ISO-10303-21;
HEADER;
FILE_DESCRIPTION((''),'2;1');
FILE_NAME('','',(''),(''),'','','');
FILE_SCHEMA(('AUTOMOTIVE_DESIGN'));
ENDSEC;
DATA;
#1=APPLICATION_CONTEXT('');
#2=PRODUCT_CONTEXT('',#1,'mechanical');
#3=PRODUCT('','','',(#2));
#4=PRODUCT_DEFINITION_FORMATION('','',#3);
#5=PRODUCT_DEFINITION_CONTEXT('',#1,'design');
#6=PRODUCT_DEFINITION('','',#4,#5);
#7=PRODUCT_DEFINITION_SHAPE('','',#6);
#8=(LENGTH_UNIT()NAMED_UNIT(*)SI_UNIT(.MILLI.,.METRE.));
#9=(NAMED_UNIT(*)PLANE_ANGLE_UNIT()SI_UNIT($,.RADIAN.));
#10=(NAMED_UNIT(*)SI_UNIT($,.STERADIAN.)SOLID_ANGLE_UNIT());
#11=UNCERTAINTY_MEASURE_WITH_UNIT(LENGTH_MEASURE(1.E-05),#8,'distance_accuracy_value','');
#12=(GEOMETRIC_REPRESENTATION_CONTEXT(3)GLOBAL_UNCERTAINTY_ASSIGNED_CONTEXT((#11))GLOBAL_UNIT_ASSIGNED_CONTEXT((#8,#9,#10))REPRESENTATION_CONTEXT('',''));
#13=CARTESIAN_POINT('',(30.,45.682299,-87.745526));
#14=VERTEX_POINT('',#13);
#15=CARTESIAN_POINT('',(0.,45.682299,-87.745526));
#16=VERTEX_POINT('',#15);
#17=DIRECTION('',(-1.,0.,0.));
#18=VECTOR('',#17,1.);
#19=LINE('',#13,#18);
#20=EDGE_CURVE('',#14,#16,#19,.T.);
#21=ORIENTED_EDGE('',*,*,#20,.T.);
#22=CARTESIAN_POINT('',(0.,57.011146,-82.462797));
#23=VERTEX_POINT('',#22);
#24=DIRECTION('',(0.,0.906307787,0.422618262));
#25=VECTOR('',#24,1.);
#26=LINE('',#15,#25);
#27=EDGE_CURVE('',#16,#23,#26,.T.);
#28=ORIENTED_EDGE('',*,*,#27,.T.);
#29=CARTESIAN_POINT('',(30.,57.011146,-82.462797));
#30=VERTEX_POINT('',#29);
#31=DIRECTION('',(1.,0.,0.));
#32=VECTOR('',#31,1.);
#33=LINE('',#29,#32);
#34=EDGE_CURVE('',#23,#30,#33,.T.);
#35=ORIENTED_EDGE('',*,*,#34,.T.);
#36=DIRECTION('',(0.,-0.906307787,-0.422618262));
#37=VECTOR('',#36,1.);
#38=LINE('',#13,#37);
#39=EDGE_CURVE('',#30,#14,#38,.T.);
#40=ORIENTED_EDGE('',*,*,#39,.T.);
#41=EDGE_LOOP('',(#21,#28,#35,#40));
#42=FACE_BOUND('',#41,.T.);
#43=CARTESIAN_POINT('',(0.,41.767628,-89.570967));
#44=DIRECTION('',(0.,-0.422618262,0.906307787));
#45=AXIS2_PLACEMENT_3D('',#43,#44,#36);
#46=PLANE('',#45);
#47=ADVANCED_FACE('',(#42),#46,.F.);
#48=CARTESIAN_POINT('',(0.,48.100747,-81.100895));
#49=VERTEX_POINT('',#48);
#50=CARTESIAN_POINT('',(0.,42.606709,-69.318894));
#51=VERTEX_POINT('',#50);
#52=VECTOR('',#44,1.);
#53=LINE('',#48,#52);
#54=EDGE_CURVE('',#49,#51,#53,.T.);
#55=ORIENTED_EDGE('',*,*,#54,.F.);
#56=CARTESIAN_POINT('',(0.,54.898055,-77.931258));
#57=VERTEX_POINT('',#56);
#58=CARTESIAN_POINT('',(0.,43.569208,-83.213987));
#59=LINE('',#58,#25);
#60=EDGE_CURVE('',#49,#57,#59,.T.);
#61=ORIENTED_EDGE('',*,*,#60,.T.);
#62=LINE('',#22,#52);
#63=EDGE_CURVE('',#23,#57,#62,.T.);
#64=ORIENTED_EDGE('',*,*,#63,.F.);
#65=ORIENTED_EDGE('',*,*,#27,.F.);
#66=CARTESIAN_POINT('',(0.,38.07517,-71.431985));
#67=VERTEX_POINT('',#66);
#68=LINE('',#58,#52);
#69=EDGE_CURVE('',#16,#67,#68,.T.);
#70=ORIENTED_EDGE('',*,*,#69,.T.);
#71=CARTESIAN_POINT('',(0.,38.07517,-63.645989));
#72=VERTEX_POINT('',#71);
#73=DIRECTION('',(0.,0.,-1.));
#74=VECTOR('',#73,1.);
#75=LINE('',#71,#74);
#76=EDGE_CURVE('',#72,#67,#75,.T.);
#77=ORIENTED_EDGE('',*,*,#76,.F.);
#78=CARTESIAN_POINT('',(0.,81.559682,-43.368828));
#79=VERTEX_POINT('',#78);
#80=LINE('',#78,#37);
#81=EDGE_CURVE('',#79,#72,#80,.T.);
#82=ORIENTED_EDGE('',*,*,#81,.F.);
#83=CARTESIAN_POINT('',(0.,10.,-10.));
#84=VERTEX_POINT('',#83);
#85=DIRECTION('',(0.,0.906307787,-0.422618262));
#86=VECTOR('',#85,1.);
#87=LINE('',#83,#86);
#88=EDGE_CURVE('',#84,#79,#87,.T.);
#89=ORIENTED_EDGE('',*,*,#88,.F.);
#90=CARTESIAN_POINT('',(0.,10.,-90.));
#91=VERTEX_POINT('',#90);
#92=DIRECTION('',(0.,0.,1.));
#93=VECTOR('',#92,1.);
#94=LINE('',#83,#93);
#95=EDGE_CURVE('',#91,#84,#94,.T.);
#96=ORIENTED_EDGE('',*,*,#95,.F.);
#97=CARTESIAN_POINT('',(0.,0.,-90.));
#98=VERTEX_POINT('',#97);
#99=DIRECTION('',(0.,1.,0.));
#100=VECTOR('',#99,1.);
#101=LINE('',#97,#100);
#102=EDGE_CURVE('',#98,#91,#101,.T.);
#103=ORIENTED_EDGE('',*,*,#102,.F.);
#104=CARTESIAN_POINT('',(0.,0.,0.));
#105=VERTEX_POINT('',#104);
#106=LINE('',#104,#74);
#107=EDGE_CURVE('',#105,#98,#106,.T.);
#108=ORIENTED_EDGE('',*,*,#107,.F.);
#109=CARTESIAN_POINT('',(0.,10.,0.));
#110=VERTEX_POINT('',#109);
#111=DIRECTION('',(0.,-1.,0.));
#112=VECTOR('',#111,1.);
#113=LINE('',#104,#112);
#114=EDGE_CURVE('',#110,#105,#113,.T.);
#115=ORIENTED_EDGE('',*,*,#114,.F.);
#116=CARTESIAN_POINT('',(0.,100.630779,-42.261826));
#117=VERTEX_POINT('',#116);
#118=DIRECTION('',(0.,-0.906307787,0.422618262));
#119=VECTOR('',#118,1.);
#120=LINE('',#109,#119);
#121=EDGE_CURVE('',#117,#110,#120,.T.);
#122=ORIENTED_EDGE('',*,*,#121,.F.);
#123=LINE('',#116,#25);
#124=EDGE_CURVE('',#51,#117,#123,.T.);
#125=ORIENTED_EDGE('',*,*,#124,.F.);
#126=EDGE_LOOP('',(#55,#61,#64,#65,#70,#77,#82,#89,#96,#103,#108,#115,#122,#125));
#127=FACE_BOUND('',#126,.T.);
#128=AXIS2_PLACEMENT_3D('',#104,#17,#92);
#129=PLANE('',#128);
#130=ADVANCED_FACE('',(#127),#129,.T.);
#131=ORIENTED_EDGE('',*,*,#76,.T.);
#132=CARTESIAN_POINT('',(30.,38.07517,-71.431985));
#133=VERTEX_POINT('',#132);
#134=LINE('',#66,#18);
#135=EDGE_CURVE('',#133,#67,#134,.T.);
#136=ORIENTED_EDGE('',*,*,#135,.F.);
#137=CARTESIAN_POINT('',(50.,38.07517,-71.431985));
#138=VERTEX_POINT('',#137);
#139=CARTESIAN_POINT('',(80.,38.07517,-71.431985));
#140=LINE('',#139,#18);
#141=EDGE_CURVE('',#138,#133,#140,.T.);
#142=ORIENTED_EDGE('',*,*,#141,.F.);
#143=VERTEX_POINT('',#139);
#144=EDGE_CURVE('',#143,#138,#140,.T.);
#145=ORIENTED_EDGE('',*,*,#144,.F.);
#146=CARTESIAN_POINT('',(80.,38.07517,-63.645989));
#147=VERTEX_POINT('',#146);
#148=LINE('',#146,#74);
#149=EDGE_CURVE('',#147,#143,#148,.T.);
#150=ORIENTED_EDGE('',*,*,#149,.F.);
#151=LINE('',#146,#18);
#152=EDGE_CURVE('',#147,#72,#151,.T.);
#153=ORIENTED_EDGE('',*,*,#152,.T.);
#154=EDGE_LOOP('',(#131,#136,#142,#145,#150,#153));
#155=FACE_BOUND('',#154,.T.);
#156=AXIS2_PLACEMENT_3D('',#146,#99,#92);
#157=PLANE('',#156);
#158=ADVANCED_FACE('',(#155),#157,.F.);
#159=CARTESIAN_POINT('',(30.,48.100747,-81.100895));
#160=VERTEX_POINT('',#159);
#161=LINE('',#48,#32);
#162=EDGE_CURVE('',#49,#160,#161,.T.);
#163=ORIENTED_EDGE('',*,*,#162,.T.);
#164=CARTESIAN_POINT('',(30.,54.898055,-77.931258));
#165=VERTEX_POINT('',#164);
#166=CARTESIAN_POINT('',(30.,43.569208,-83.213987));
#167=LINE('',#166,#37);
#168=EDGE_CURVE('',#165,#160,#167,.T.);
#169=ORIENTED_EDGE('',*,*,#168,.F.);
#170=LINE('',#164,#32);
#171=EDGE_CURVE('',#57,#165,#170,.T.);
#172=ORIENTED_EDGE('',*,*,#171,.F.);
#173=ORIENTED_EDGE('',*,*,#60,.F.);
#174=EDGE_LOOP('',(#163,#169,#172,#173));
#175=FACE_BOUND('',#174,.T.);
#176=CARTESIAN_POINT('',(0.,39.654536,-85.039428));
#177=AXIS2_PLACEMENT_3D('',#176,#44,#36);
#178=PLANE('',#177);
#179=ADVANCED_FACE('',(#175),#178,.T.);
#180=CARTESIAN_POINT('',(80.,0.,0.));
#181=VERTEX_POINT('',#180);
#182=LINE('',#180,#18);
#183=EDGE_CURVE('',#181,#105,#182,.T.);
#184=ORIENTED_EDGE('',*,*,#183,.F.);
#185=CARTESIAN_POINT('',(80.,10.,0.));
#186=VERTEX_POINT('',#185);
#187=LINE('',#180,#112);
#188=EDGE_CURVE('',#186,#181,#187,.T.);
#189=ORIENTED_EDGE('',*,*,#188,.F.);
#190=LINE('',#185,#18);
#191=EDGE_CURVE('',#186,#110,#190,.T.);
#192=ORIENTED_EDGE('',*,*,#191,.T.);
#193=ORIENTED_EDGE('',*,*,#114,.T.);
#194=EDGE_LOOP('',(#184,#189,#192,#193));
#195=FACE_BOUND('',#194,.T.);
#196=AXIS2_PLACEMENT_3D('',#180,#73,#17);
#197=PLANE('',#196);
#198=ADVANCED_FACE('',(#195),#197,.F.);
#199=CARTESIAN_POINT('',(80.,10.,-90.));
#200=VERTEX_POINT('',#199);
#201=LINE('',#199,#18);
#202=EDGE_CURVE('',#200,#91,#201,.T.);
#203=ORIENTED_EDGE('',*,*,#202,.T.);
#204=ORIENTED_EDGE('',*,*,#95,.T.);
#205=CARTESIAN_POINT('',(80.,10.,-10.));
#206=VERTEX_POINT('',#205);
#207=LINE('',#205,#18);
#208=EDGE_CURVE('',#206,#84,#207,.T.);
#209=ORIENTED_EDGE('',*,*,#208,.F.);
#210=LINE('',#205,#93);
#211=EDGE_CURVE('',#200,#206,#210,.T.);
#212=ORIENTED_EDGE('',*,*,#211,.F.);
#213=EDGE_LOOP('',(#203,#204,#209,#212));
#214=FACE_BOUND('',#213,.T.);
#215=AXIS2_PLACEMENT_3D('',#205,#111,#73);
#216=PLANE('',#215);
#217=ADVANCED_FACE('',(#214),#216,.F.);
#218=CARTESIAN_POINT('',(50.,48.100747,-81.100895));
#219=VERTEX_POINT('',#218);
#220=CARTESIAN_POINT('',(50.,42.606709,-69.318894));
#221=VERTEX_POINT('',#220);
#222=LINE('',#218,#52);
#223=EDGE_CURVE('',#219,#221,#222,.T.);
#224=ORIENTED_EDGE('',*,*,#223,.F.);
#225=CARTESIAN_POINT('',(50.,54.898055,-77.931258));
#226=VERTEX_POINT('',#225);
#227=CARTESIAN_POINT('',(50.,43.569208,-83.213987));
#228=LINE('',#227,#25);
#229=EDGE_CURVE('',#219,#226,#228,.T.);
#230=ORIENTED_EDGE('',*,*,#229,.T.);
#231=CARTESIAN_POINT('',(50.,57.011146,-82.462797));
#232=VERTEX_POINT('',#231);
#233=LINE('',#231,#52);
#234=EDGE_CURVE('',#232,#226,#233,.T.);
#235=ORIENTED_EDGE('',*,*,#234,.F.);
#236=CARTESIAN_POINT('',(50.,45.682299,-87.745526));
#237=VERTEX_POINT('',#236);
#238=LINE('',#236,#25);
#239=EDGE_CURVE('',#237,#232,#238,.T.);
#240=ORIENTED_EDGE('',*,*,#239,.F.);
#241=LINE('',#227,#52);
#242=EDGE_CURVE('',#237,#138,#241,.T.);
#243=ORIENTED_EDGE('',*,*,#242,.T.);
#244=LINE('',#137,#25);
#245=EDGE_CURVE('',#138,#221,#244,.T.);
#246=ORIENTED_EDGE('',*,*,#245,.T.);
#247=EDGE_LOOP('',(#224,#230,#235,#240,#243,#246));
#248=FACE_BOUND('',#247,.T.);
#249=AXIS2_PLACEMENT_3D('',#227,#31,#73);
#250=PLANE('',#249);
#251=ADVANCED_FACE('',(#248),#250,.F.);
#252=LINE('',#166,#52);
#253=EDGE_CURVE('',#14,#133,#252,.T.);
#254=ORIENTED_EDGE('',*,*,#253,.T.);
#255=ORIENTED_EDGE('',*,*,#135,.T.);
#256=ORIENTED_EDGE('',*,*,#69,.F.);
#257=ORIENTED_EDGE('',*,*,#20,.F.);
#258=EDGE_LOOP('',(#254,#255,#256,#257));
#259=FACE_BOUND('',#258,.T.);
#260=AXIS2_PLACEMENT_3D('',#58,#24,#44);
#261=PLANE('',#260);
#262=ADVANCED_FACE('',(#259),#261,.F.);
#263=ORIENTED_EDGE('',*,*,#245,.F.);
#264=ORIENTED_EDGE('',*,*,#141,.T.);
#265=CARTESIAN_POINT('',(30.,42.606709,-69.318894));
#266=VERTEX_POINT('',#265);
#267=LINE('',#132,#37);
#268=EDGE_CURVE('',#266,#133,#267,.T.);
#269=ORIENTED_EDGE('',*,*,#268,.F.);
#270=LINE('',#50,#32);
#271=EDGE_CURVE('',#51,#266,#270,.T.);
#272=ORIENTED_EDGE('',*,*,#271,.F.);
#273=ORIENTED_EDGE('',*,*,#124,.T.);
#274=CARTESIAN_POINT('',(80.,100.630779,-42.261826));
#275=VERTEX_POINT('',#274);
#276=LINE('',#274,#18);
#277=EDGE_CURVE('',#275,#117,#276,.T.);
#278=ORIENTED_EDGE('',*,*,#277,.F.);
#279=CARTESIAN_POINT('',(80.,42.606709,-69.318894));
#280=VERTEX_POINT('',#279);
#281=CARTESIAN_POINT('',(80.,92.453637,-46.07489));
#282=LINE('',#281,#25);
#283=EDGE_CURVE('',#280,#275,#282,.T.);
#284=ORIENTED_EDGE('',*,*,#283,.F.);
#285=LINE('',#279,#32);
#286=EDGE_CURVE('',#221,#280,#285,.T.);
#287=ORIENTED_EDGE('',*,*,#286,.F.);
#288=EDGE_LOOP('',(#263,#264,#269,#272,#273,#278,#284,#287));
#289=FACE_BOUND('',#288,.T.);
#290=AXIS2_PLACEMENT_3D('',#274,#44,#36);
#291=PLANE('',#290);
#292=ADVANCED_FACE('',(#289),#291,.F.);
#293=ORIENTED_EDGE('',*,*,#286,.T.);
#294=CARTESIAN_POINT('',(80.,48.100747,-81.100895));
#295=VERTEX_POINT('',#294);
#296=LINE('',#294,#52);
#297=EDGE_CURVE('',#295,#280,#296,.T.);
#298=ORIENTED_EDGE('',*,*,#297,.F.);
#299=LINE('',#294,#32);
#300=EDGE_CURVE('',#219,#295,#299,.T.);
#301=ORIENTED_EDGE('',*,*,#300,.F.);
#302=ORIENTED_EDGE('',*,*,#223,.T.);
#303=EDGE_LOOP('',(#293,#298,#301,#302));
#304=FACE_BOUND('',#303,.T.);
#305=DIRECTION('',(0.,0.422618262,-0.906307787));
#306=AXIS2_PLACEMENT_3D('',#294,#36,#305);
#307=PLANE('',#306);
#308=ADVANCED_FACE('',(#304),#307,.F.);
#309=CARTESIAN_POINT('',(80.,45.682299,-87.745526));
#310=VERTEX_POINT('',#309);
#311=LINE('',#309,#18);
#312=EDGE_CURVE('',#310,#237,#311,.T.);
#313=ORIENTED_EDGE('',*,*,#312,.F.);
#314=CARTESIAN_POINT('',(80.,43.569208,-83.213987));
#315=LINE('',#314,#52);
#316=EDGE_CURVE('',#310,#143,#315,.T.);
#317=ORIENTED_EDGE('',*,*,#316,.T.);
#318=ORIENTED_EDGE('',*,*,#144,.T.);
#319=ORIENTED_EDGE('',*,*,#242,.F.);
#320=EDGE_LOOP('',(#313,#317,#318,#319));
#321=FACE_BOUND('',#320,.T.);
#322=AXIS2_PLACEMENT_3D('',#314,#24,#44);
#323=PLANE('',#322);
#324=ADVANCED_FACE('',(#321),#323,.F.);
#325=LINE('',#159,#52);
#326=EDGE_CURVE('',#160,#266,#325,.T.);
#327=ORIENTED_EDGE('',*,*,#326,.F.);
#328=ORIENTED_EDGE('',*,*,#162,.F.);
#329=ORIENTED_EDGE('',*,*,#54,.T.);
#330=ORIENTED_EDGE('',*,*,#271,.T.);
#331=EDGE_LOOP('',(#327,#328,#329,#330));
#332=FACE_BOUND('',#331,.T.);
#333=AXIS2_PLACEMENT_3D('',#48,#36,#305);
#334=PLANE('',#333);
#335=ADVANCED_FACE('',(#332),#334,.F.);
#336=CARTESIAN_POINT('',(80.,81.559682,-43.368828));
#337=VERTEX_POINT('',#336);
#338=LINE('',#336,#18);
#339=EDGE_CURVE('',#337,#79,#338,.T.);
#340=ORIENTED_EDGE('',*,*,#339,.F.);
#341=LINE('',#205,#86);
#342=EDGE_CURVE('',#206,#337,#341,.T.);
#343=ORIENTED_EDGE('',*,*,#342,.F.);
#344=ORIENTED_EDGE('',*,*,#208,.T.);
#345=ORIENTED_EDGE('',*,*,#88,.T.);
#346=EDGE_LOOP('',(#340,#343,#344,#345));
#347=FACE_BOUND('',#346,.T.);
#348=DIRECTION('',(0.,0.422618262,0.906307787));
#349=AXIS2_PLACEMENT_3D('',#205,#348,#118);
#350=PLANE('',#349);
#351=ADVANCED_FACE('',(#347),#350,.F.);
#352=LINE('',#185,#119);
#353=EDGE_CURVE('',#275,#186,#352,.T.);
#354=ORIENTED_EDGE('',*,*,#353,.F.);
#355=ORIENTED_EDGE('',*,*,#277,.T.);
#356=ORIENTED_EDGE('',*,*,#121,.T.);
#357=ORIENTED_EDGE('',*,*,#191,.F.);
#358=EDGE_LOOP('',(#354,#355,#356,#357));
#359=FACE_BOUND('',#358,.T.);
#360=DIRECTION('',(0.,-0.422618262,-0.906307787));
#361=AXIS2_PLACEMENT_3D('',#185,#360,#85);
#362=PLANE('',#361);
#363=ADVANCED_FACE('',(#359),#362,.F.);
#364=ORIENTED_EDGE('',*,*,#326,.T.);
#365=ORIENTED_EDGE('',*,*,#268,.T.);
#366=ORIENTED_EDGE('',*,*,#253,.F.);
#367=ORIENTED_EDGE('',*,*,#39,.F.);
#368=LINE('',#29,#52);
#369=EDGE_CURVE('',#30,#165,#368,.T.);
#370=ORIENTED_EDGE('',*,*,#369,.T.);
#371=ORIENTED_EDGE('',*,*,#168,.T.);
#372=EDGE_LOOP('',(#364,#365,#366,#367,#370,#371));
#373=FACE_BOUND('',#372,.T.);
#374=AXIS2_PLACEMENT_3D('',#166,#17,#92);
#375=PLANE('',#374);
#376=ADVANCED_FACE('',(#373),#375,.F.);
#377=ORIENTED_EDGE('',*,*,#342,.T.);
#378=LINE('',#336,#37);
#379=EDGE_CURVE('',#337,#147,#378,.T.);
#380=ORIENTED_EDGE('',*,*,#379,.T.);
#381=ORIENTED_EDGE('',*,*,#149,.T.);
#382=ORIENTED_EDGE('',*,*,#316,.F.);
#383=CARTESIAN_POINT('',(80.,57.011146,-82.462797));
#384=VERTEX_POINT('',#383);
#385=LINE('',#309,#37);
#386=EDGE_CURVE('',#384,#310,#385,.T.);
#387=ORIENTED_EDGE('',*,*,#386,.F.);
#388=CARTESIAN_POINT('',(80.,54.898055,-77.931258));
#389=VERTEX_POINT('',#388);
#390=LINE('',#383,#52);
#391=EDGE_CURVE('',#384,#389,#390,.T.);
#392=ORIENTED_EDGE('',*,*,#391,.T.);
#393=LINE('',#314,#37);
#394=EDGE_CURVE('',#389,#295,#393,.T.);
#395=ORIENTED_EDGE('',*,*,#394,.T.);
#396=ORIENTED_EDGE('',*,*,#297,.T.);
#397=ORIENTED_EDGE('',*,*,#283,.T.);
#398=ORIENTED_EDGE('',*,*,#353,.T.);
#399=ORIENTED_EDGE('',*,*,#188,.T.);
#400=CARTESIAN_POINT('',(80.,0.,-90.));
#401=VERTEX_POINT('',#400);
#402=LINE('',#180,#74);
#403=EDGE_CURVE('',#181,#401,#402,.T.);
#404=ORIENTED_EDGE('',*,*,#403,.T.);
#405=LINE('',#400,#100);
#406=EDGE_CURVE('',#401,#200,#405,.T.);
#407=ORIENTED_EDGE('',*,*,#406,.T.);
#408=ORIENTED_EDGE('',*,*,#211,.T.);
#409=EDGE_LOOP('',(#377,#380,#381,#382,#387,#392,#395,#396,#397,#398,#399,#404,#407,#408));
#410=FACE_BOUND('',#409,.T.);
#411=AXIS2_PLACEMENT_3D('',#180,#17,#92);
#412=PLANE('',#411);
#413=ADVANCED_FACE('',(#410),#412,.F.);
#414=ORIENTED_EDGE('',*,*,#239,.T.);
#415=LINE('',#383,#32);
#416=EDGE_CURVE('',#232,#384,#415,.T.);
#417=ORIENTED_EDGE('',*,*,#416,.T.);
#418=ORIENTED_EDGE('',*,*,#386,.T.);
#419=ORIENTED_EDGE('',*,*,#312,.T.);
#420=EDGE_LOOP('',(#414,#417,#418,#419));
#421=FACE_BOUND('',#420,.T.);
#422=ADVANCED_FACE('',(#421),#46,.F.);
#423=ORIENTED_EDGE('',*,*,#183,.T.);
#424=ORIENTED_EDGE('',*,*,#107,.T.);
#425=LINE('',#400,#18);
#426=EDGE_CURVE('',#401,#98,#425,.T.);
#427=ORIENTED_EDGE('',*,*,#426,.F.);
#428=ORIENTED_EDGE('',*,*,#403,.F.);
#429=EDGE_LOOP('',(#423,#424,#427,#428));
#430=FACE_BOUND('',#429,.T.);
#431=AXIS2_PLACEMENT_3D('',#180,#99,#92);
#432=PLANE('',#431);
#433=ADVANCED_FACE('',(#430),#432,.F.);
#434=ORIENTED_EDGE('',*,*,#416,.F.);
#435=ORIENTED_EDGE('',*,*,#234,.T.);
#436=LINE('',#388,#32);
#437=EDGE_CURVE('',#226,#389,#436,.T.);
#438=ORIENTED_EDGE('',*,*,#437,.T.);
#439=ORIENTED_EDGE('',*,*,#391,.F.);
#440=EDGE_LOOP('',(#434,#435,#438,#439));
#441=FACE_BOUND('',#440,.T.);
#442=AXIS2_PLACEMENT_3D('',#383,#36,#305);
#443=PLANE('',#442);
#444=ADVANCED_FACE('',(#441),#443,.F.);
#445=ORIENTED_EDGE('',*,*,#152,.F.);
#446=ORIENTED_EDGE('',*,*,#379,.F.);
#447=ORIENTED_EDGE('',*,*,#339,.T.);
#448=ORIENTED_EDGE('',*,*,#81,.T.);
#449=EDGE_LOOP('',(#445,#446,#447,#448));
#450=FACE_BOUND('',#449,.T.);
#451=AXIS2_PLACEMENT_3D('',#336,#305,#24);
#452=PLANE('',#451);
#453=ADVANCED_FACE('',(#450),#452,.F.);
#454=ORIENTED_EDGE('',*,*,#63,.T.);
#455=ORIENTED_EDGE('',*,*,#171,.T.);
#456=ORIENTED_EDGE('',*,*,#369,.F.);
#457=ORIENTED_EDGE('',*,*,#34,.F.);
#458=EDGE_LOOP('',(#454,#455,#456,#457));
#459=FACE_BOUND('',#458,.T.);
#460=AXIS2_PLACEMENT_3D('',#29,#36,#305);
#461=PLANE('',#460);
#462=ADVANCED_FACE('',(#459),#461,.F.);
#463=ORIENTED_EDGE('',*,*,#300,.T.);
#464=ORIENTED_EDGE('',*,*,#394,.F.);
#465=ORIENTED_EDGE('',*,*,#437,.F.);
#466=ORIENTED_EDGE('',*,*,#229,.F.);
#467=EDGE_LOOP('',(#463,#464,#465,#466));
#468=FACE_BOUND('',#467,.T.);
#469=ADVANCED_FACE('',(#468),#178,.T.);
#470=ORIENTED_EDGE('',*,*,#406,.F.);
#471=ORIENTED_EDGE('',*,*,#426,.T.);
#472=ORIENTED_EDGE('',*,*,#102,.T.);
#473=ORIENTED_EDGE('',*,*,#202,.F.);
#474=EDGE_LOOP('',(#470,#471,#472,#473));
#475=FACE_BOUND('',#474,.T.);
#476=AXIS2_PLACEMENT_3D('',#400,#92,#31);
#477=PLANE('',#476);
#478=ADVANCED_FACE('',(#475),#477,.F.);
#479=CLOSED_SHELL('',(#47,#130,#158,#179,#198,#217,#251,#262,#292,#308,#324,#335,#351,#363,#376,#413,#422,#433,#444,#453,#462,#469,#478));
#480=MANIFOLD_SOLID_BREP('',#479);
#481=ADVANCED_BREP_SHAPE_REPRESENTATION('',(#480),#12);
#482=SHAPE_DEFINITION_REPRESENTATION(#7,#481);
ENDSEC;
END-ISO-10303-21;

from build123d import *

# Parameters (mm, degrees)
BOSS_EXTRUDE1_DEPTH = 80
SKETCH2_W           = 30
SKETCH2_H           = 5
BOSS_EXTRUDE2_DEPTH = 13
SKETCH3_W           = 30
SKETCH3_H           = 12.5
BOSS_EXTRUDE3_DEPTH = 5


with BuildPart() as part:
    # Sketch1 → Boss-Extrude1 (new body)
    with BuildSketch(Plane(origin=(0, 0, 0), x_dir=(0, 0, -1), z_dir=(1, 0, 0))):
        Polygon((0, 10), (42.261826174, 100.630778704), (46.074889763, 92.453637449), (71.431985467, 38.075170227), (63.645988922, 38.075170227), (43.368827902, 81.559682364), (10, 10), (90, 10), (90, 0), (0, 0), align=None)
    extrude(amount=BOSS_EXTRUDE1_DEPTH)

    # Sketch2 → Boss-Extrude2 (add)
    with BuildSketch(Plane(origin=(0, 34.160499048, -73.257426617), x_dir=(-1, 0, 0), z_dir=(0, 0.4226182617406983, -0.9063077870366506))):
        with Locations((-65, 6.819361739)):
            Rectangle(SKETCH2_W, SKETCH2_H)
        with Locations((-15, 6.819361739)):
            Rectangle(SKETCH2_W, SKETCH2_H)
    extrude(amount=BOSS_EXTRUDE2_DEPTH)

    # Sketch3 → Boss-Extrude3 (add)
    with BuildSketch(Plane(origin=(0, 39.654536451, -85.039427849), x_dir=(-1, 0, 0), z_dir=(0, 0.4226182617406977, -0.9063077870366508))):
        with Locations((-65, 10.569361739)):
            Rectangle(SKETCH3_W, SKETCH3_H)
        with Locations((-15, 10.569361739)):
            Rectangle(SKETCH3_W, SKETCH3_H)
    extrude(amount=BOSS_EXTRUDE3_DEPTH)


solid = part.part
